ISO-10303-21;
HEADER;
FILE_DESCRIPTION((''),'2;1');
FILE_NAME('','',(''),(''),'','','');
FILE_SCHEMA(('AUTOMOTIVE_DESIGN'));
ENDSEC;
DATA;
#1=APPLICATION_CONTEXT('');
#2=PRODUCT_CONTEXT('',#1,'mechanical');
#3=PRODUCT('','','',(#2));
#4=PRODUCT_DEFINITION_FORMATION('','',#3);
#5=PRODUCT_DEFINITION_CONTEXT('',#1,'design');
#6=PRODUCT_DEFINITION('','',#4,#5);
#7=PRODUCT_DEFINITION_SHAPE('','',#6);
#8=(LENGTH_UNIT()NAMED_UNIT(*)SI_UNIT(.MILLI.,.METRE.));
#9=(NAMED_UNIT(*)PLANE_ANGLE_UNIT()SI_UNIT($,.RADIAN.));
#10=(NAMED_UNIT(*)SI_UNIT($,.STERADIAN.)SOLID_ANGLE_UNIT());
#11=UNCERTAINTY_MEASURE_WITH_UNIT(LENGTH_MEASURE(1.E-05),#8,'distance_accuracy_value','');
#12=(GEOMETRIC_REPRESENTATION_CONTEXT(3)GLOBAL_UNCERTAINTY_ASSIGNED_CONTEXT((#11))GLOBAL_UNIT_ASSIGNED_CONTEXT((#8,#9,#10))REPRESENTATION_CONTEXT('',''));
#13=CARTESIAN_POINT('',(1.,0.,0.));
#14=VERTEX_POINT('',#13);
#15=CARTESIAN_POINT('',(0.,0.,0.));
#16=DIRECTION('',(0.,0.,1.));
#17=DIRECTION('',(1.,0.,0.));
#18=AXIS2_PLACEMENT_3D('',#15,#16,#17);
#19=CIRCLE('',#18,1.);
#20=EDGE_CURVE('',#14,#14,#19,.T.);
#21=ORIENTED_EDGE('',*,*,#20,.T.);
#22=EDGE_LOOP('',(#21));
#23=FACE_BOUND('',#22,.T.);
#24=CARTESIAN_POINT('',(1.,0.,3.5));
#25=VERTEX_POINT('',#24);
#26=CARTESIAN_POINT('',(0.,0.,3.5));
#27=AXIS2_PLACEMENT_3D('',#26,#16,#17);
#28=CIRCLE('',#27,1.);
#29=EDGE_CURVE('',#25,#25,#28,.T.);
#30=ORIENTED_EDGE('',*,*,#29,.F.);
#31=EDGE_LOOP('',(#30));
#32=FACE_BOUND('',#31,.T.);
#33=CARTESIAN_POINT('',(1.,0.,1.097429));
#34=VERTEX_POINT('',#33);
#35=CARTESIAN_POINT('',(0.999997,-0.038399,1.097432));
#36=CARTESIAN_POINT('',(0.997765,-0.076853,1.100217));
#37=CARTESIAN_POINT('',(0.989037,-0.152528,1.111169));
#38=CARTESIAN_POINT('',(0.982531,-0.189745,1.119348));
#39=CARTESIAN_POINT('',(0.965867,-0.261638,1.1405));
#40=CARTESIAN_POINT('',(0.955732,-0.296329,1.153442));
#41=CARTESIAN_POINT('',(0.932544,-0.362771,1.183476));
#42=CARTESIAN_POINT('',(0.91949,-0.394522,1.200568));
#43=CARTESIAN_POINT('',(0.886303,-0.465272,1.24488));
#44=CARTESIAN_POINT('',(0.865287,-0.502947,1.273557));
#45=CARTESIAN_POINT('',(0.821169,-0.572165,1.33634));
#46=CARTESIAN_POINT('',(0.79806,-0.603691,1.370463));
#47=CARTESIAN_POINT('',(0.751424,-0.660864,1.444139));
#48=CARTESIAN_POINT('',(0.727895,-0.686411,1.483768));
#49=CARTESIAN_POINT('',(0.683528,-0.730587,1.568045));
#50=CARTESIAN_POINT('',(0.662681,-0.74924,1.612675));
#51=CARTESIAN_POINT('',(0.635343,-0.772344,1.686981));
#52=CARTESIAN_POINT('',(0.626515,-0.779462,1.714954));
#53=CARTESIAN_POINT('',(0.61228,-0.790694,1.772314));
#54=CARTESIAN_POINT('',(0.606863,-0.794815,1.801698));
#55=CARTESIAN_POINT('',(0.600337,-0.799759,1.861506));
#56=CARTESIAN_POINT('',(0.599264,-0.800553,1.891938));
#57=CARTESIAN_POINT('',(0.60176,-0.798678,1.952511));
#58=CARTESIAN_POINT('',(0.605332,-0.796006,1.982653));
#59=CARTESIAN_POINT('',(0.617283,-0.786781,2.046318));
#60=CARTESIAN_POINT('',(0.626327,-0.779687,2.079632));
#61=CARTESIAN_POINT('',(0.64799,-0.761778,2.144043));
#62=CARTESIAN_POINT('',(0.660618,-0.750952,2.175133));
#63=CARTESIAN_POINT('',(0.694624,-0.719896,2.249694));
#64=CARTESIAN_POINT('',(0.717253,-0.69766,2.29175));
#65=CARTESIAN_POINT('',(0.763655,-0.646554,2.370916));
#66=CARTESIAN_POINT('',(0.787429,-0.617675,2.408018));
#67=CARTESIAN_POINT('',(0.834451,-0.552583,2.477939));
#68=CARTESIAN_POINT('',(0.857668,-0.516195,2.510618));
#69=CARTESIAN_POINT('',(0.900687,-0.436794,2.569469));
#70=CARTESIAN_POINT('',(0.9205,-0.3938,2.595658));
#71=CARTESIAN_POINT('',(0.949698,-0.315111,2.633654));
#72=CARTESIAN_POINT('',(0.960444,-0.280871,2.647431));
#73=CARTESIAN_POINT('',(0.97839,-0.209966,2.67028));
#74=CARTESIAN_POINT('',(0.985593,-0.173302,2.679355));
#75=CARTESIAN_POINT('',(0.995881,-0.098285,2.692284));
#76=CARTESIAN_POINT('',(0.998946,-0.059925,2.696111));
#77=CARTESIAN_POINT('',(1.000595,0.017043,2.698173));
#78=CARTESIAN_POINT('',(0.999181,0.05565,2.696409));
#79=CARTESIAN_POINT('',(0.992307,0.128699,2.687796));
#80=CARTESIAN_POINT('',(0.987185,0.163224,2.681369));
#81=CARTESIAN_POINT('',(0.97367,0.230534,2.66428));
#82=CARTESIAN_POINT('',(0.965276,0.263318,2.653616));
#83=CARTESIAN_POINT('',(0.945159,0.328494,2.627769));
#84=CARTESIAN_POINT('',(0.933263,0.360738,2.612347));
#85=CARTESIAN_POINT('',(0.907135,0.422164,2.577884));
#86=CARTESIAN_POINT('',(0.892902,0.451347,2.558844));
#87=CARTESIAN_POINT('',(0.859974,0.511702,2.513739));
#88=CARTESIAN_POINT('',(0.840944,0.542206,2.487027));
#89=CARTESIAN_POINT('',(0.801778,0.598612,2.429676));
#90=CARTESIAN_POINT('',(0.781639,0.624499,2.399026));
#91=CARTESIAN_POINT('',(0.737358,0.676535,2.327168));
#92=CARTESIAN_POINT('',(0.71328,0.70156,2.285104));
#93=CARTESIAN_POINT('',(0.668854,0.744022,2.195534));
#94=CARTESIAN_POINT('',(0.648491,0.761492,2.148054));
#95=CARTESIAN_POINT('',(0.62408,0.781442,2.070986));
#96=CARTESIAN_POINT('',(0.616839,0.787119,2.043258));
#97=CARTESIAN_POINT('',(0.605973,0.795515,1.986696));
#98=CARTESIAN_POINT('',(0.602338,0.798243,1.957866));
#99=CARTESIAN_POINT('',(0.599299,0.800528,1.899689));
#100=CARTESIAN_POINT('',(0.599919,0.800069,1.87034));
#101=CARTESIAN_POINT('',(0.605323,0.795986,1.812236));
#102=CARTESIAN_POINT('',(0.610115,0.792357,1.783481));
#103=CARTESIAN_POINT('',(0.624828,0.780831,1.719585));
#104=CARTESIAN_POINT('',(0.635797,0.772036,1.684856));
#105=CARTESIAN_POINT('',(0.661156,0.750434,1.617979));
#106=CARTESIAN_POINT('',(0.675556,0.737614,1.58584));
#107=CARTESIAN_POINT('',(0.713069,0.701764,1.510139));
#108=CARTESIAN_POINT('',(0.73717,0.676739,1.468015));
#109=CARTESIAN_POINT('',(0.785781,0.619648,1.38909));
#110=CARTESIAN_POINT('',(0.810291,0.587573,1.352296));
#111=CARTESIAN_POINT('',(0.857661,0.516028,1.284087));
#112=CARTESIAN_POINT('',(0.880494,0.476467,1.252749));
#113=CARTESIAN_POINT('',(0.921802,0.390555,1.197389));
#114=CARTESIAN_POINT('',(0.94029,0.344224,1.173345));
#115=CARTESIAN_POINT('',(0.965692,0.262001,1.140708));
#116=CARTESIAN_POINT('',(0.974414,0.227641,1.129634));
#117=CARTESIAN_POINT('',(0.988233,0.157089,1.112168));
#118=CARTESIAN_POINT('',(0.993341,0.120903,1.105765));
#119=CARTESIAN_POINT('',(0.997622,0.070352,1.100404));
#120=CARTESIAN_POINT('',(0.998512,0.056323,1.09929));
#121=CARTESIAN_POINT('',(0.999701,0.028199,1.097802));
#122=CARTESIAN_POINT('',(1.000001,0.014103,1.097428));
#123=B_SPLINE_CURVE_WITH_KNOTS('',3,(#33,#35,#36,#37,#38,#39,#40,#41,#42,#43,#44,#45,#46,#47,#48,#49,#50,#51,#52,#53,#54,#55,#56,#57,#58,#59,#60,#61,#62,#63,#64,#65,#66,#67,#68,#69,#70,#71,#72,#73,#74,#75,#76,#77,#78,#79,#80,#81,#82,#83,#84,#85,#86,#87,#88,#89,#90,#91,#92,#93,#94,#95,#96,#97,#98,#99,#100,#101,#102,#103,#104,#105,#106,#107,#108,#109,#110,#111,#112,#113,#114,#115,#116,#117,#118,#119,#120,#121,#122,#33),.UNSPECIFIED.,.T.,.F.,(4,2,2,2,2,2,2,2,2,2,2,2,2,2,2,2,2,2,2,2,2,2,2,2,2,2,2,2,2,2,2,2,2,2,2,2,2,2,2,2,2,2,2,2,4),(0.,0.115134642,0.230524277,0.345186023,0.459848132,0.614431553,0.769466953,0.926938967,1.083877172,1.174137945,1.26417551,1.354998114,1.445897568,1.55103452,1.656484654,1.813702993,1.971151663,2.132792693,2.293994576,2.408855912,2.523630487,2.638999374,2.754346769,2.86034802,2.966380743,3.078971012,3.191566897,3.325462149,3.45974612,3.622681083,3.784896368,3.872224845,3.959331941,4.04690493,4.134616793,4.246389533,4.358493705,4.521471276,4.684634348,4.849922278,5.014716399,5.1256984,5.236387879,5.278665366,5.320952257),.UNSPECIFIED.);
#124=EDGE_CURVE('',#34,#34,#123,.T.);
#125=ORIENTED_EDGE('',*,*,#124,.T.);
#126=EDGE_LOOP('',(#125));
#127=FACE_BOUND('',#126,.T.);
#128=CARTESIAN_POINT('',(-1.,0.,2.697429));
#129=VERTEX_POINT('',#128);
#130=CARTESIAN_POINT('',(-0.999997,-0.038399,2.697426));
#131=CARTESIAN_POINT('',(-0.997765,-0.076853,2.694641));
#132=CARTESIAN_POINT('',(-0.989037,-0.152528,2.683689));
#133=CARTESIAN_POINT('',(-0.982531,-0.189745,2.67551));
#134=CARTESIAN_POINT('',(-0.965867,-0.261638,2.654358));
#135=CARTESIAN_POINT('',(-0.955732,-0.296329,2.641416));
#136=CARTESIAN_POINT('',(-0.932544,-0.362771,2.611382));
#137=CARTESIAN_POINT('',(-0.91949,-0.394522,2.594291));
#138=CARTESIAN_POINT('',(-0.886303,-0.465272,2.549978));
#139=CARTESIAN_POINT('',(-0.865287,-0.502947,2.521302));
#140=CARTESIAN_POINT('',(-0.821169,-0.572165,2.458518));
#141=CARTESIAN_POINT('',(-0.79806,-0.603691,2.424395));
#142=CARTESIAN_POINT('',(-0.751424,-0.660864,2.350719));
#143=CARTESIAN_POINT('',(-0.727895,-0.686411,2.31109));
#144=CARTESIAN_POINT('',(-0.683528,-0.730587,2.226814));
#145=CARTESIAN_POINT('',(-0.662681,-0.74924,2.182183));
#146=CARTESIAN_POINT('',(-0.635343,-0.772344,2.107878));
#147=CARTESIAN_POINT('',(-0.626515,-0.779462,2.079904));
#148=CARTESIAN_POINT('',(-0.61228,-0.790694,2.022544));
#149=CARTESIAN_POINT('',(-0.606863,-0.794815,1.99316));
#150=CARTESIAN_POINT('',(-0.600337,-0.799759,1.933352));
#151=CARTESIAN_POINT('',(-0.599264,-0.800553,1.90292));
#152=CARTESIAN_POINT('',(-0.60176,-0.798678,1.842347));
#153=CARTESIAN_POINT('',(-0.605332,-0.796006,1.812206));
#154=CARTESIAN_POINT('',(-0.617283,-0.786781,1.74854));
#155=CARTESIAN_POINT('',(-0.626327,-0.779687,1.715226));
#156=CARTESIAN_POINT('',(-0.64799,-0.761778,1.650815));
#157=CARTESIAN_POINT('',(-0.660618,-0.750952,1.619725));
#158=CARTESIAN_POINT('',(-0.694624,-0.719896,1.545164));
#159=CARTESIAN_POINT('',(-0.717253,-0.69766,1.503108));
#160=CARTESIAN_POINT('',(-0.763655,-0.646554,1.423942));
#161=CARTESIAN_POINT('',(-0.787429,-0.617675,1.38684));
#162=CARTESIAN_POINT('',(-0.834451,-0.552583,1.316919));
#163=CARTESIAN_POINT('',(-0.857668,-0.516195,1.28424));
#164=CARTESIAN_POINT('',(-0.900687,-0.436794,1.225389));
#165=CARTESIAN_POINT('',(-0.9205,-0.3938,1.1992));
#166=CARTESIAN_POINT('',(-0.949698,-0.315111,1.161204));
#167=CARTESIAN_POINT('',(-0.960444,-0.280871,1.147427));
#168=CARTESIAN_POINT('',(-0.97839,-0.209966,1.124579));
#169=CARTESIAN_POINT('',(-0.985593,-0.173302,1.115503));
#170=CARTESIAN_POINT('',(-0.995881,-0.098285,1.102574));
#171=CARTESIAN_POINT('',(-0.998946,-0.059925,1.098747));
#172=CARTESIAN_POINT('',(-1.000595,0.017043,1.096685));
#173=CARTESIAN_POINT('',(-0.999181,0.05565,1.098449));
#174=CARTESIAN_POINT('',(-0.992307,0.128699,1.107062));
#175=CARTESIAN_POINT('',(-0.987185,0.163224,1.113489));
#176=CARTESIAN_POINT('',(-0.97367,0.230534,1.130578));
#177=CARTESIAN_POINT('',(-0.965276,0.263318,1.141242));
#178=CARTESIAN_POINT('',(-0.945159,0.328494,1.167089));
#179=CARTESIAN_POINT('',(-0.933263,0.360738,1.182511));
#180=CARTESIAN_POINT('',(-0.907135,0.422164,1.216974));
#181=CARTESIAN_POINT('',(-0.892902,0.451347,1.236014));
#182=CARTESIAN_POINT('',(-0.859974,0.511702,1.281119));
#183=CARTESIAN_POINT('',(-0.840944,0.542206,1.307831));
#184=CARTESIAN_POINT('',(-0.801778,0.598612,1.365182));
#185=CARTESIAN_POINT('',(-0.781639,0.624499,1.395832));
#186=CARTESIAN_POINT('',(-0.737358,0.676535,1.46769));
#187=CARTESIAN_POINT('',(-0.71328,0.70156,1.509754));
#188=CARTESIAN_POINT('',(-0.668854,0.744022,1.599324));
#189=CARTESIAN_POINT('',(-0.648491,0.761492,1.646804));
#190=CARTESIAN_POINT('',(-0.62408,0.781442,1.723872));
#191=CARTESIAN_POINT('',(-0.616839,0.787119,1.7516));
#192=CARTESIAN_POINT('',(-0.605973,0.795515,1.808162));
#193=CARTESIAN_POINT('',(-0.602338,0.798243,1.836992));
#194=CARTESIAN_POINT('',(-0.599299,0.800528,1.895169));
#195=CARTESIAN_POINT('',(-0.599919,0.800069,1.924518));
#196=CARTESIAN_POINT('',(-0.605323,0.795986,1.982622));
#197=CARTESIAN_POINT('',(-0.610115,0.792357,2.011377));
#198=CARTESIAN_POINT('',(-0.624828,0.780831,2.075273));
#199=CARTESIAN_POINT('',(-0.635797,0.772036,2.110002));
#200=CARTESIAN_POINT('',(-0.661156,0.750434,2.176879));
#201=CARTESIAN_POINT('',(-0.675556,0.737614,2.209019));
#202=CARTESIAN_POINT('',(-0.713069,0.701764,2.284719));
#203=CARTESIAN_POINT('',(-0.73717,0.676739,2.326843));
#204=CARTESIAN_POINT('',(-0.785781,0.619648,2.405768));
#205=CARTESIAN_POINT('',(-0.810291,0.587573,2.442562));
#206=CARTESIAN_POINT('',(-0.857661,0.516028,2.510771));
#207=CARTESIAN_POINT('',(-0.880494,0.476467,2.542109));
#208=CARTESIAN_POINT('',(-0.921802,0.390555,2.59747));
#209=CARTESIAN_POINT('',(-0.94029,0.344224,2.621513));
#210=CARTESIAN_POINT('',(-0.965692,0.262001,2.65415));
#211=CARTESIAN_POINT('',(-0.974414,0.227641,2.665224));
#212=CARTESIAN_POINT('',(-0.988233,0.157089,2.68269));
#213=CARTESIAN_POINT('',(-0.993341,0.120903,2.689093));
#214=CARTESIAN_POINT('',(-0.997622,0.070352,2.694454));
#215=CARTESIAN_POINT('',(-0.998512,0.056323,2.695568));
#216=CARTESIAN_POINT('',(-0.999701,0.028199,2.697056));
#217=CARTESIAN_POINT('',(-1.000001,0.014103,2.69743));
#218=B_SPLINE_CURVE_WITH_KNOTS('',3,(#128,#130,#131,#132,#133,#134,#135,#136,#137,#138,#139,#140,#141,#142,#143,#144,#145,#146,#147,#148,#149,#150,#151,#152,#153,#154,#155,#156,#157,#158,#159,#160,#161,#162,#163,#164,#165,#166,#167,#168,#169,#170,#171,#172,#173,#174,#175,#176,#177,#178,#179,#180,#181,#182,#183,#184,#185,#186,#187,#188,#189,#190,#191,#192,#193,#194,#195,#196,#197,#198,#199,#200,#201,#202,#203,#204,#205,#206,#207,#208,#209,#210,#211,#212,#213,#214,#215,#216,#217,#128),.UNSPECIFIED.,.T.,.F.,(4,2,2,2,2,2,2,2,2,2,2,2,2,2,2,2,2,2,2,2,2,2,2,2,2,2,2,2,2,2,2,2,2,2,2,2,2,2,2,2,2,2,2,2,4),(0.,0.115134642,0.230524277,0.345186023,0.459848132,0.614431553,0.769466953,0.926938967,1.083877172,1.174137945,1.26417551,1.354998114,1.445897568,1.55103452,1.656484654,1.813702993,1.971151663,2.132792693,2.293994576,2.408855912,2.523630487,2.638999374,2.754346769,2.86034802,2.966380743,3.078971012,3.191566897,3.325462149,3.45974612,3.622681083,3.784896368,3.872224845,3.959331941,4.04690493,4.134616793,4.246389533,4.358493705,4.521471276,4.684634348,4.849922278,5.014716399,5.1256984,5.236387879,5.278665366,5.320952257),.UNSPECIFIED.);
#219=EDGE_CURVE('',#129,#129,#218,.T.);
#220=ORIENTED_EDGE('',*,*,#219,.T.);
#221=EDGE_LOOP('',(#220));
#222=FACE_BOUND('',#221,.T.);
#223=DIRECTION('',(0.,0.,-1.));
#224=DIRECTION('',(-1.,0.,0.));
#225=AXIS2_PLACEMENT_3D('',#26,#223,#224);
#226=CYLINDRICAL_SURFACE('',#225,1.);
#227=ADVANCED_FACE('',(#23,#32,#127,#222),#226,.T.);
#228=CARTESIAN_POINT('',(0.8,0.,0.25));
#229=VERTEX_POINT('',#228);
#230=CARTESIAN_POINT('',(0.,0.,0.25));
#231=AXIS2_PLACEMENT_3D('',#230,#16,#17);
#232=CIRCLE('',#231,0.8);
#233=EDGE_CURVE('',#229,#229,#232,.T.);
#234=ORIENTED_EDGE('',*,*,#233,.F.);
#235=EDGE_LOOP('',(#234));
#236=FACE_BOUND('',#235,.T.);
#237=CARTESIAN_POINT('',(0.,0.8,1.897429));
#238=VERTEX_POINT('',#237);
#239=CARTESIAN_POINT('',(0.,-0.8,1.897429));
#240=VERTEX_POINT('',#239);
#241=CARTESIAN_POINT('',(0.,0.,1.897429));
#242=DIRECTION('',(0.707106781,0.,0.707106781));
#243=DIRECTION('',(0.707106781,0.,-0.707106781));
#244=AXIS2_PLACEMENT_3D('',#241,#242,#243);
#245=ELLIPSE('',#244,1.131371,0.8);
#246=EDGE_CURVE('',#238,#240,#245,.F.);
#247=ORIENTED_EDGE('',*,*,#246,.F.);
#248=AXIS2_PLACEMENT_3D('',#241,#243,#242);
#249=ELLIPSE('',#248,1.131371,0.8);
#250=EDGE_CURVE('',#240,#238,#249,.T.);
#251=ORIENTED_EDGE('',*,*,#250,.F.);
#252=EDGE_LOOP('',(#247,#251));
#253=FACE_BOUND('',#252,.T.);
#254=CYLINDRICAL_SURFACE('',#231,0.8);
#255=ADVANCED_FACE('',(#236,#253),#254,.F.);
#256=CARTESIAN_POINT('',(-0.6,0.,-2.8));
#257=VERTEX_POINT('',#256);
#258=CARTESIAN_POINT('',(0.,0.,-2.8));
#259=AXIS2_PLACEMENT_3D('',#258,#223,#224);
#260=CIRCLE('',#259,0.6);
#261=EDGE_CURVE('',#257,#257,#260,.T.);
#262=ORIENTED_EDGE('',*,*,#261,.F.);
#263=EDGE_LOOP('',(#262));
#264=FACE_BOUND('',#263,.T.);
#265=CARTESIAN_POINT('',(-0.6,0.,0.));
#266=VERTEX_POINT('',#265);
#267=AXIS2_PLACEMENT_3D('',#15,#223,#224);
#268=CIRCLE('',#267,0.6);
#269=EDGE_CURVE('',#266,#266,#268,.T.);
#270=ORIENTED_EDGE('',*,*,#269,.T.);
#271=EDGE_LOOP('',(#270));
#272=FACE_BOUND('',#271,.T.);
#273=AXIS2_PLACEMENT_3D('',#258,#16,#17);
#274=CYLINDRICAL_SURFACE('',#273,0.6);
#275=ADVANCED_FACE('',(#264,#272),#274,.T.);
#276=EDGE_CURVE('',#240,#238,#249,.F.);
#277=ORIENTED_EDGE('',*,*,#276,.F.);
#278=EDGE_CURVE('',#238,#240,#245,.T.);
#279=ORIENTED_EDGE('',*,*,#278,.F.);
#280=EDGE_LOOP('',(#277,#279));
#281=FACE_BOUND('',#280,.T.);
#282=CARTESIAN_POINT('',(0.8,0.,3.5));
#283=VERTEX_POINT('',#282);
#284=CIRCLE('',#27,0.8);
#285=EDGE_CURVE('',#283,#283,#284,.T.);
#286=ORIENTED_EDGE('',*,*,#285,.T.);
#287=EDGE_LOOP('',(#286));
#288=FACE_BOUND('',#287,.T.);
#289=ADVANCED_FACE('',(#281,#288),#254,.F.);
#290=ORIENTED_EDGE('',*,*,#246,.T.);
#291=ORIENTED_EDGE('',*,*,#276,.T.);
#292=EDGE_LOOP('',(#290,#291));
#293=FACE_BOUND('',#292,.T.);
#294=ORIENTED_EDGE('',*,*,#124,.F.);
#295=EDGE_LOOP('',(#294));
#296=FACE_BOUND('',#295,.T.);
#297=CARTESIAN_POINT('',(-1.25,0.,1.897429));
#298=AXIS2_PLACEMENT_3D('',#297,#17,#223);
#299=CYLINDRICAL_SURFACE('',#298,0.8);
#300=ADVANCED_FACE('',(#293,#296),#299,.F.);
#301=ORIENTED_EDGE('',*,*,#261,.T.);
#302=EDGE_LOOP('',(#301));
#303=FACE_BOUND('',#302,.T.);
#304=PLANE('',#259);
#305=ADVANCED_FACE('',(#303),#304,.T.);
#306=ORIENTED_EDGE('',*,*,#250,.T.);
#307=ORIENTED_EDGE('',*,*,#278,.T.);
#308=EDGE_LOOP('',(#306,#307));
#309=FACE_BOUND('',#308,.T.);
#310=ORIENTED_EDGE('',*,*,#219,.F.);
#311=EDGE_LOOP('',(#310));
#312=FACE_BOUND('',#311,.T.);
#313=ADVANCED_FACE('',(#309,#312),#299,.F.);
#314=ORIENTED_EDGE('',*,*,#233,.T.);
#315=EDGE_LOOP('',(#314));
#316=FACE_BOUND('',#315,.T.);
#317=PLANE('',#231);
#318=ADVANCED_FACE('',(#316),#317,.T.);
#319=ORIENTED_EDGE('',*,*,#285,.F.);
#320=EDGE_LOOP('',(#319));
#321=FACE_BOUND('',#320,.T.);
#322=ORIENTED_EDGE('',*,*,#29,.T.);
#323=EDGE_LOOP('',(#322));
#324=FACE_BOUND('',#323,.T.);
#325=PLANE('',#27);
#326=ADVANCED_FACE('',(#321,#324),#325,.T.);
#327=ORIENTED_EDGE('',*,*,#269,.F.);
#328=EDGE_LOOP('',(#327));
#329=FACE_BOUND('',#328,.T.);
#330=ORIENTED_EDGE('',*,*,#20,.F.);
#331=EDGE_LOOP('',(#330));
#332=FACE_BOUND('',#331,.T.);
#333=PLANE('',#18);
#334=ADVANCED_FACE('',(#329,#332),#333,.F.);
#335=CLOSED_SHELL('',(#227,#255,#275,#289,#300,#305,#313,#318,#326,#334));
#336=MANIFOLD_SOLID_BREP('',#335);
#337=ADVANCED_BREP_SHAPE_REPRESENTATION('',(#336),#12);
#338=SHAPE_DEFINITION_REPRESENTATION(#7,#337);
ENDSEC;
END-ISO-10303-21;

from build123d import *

# Parameters (mm, degrees)
SKETCH_1_R          = 1
EXTRUDE_1_DEPTH     = 3.5
SKETCH_3_R          = 0.6
EXTRUDE_2_DEPTH     = 2.8
SKETCH_4_R          = 0.8
CUT_EXTRUDE_1_DEPTH = 1.25
SKETCH_5_R          = 0.8
CUT_EXTRUDE_2_DEPTH = 3.25


with BuildPart() as part:
    # 草图1 → 凸台-拉伸1 (new body)
    with BuildSketch(Plane.XY):
        Circle(SKETCH_1_R)
    extrude(amount=EXTRUDE_1_DEPTH)

    # 草图3 → 凸台-拉伸2 (add)
    with BuildSketch(Plane(origin=(0, 0, 0), x_dir=(-1, 0, 0), z_dir=(0, 0, -1))):
        Circle(SKETCH_3_R)
    extrude(amount=EXTRUDE_2_DEPTH)

    # 草图4 → 切除-拉伸1 (cut, symmetric)
    with BuildSketch(Plane(origin=(0, 0, 0), x_dir=(0, 0, -1), z_dir=(1, 0, 0))):
        with Locations(Location((-1.897429081, 0, 0), (0, 0, 180.000000009))):
            Circle(SKETCH_4_R)
    extrude(amount=CUT_EXTRUDE_1_DEPTH, both=True, mode=Mode.SUBTRACT)

    # 草图5 → 切除-拉伸2 (cut, symmetric)
    with BuildSketch(Plane.XY.offset(3.5)):
        Circle(SKETCH_5_R)
    extrude(amount=CUT_EXTRUDE_2_DEPTH, both=True, mode=Mode.SUBTRACT)


solid = part.part
